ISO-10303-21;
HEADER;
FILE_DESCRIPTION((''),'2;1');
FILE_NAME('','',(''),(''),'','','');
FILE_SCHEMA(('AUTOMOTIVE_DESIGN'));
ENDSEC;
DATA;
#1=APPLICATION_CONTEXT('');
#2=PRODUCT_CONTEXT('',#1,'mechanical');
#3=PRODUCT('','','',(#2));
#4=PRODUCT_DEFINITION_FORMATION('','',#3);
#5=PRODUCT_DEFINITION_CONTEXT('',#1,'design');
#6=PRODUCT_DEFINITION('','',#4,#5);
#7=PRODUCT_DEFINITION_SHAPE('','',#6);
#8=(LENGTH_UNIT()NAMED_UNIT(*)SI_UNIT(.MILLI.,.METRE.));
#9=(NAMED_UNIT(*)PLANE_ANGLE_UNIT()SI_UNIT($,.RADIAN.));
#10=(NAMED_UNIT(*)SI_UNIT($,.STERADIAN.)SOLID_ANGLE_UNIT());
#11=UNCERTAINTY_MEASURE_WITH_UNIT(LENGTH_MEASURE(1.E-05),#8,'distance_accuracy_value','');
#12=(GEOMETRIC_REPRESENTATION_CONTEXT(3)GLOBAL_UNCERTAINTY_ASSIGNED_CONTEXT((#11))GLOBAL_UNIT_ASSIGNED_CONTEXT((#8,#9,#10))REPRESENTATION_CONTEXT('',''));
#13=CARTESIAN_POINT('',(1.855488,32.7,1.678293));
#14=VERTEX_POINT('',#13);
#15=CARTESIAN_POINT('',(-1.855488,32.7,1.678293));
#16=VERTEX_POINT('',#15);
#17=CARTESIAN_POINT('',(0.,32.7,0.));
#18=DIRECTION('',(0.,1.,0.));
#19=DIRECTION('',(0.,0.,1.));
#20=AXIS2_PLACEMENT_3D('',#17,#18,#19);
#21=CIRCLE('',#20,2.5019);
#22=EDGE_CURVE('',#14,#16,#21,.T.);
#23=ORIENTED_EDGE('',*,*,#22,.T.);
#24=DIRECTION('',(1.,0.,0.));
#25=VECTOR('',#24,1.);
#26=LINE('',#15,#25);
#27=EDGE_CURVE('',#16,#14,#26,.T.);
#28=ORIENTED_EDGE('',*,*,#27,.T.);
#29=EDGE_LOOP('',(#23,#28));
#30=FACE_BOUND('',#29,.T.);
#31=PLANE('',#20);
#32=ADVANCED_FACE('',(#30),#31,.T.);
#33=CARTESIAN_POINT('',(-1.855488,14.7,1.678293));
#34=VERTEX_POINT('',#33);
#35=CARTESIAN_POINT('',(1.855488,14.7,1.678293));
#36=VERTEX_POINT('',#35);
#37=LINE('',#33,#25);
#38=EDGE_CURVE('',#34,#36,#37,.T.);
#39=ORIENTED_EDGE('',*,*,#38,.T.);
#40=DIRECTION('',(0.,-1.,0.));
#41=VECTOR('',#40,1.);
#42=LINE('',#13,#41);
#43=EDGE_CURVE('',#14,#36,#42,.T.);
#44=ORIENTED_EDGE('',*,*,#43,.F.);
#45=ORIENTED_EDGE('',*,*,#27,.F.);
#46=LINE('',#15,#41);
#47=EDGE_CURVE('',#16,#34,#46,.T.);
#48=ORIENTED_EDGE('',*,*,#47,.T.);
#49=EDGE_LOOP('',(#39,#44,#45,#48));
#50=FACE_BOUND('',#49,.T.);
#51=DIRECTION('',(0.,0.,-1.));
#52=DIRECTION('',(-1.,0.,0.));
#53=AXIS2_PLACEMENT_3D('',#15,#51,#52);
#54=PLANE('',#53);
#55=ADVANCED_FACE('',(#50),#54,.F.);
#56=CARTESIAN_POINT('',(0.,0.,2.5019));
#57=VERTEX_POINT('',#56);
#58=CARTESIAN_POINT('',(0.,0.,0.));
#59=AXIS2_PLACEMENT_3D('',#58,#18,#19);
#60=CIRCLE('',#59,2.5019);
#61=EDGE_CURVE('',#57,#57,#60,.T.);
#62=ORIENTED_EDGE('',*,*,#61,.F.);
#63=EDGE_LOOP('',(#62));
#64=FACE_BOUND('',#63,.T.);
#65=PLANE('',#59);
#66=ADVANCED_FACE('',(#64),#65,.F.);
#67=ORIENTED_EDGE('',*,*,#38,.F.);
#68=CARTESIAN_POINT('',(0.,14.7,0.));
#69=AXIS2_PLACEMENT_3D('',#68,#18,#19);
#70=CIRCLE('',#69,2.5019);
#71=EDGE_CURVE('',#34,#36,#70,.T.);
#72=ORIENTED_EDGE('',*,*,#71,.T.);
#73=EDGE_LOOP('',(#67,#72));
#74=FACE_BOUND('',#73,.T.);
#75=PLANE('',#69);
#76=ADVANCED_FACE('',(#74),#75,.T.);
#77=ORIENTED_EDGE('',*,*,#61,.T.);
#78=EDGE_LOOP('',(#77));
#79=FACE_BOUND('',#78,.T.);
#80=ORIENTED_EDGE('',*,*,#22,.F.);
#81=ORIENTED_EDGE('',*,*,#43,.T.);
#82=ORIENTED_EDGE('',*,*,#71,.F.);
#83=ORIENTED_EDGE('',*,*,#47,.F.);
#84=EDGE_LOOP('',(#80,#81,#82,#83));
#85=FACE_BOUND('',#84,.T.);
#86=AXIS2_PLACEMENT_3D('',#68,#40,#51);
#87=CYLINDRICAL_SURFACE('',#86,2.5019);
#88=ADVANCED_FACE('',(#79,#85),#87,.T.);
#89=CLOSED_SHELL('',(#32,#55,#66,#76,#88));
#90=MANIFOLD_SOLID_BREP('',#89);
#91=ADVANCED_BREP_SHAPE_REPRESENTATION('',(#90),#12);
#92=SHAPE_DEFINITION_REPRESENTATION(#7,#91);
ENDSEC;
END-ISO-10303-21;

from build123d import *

# Parameters (mm, degrees)
SKETCH1_R           = 2.5019
BOSS_EXTRUDE1_DEPTH = 14.7
BOSS_EXTRUDE2_DEPTH = 18


with BuildPart() as part:
    # Sketch1 → Boss-Extrude1 (new body)
    with BuildSketch(Plane(origin=(0, 0, 0), x_dir=(1, 0, 0), z_dir=(0, 1, 0))):
        with Locations(Location((0, 0, 0), (0, 0, 270))):
            Circle(SKETCH1_R)
    extrude(amount=BOSS_EXTRUDE1_DEPTH)

    # Sketch2 → Boss-Extrude2 (add)
    with BuildSketch(Plane(origin=(0, 14.7, 0), x_dir=(1, 0, 0), z_dir=(0, 1, 0))):
        with BuildLine():
            Line((-1.855488361, -1.678292749), (1.855488361, -1.678292749))
            ThreePointArc((1.855488361, -1.678292749), (0, 2.5019), (-1.855488361, -1.678292749))
        make_face()
    extrude(amount=BOSS_EXTRUDE2_DEPTH)


solid = part.part
